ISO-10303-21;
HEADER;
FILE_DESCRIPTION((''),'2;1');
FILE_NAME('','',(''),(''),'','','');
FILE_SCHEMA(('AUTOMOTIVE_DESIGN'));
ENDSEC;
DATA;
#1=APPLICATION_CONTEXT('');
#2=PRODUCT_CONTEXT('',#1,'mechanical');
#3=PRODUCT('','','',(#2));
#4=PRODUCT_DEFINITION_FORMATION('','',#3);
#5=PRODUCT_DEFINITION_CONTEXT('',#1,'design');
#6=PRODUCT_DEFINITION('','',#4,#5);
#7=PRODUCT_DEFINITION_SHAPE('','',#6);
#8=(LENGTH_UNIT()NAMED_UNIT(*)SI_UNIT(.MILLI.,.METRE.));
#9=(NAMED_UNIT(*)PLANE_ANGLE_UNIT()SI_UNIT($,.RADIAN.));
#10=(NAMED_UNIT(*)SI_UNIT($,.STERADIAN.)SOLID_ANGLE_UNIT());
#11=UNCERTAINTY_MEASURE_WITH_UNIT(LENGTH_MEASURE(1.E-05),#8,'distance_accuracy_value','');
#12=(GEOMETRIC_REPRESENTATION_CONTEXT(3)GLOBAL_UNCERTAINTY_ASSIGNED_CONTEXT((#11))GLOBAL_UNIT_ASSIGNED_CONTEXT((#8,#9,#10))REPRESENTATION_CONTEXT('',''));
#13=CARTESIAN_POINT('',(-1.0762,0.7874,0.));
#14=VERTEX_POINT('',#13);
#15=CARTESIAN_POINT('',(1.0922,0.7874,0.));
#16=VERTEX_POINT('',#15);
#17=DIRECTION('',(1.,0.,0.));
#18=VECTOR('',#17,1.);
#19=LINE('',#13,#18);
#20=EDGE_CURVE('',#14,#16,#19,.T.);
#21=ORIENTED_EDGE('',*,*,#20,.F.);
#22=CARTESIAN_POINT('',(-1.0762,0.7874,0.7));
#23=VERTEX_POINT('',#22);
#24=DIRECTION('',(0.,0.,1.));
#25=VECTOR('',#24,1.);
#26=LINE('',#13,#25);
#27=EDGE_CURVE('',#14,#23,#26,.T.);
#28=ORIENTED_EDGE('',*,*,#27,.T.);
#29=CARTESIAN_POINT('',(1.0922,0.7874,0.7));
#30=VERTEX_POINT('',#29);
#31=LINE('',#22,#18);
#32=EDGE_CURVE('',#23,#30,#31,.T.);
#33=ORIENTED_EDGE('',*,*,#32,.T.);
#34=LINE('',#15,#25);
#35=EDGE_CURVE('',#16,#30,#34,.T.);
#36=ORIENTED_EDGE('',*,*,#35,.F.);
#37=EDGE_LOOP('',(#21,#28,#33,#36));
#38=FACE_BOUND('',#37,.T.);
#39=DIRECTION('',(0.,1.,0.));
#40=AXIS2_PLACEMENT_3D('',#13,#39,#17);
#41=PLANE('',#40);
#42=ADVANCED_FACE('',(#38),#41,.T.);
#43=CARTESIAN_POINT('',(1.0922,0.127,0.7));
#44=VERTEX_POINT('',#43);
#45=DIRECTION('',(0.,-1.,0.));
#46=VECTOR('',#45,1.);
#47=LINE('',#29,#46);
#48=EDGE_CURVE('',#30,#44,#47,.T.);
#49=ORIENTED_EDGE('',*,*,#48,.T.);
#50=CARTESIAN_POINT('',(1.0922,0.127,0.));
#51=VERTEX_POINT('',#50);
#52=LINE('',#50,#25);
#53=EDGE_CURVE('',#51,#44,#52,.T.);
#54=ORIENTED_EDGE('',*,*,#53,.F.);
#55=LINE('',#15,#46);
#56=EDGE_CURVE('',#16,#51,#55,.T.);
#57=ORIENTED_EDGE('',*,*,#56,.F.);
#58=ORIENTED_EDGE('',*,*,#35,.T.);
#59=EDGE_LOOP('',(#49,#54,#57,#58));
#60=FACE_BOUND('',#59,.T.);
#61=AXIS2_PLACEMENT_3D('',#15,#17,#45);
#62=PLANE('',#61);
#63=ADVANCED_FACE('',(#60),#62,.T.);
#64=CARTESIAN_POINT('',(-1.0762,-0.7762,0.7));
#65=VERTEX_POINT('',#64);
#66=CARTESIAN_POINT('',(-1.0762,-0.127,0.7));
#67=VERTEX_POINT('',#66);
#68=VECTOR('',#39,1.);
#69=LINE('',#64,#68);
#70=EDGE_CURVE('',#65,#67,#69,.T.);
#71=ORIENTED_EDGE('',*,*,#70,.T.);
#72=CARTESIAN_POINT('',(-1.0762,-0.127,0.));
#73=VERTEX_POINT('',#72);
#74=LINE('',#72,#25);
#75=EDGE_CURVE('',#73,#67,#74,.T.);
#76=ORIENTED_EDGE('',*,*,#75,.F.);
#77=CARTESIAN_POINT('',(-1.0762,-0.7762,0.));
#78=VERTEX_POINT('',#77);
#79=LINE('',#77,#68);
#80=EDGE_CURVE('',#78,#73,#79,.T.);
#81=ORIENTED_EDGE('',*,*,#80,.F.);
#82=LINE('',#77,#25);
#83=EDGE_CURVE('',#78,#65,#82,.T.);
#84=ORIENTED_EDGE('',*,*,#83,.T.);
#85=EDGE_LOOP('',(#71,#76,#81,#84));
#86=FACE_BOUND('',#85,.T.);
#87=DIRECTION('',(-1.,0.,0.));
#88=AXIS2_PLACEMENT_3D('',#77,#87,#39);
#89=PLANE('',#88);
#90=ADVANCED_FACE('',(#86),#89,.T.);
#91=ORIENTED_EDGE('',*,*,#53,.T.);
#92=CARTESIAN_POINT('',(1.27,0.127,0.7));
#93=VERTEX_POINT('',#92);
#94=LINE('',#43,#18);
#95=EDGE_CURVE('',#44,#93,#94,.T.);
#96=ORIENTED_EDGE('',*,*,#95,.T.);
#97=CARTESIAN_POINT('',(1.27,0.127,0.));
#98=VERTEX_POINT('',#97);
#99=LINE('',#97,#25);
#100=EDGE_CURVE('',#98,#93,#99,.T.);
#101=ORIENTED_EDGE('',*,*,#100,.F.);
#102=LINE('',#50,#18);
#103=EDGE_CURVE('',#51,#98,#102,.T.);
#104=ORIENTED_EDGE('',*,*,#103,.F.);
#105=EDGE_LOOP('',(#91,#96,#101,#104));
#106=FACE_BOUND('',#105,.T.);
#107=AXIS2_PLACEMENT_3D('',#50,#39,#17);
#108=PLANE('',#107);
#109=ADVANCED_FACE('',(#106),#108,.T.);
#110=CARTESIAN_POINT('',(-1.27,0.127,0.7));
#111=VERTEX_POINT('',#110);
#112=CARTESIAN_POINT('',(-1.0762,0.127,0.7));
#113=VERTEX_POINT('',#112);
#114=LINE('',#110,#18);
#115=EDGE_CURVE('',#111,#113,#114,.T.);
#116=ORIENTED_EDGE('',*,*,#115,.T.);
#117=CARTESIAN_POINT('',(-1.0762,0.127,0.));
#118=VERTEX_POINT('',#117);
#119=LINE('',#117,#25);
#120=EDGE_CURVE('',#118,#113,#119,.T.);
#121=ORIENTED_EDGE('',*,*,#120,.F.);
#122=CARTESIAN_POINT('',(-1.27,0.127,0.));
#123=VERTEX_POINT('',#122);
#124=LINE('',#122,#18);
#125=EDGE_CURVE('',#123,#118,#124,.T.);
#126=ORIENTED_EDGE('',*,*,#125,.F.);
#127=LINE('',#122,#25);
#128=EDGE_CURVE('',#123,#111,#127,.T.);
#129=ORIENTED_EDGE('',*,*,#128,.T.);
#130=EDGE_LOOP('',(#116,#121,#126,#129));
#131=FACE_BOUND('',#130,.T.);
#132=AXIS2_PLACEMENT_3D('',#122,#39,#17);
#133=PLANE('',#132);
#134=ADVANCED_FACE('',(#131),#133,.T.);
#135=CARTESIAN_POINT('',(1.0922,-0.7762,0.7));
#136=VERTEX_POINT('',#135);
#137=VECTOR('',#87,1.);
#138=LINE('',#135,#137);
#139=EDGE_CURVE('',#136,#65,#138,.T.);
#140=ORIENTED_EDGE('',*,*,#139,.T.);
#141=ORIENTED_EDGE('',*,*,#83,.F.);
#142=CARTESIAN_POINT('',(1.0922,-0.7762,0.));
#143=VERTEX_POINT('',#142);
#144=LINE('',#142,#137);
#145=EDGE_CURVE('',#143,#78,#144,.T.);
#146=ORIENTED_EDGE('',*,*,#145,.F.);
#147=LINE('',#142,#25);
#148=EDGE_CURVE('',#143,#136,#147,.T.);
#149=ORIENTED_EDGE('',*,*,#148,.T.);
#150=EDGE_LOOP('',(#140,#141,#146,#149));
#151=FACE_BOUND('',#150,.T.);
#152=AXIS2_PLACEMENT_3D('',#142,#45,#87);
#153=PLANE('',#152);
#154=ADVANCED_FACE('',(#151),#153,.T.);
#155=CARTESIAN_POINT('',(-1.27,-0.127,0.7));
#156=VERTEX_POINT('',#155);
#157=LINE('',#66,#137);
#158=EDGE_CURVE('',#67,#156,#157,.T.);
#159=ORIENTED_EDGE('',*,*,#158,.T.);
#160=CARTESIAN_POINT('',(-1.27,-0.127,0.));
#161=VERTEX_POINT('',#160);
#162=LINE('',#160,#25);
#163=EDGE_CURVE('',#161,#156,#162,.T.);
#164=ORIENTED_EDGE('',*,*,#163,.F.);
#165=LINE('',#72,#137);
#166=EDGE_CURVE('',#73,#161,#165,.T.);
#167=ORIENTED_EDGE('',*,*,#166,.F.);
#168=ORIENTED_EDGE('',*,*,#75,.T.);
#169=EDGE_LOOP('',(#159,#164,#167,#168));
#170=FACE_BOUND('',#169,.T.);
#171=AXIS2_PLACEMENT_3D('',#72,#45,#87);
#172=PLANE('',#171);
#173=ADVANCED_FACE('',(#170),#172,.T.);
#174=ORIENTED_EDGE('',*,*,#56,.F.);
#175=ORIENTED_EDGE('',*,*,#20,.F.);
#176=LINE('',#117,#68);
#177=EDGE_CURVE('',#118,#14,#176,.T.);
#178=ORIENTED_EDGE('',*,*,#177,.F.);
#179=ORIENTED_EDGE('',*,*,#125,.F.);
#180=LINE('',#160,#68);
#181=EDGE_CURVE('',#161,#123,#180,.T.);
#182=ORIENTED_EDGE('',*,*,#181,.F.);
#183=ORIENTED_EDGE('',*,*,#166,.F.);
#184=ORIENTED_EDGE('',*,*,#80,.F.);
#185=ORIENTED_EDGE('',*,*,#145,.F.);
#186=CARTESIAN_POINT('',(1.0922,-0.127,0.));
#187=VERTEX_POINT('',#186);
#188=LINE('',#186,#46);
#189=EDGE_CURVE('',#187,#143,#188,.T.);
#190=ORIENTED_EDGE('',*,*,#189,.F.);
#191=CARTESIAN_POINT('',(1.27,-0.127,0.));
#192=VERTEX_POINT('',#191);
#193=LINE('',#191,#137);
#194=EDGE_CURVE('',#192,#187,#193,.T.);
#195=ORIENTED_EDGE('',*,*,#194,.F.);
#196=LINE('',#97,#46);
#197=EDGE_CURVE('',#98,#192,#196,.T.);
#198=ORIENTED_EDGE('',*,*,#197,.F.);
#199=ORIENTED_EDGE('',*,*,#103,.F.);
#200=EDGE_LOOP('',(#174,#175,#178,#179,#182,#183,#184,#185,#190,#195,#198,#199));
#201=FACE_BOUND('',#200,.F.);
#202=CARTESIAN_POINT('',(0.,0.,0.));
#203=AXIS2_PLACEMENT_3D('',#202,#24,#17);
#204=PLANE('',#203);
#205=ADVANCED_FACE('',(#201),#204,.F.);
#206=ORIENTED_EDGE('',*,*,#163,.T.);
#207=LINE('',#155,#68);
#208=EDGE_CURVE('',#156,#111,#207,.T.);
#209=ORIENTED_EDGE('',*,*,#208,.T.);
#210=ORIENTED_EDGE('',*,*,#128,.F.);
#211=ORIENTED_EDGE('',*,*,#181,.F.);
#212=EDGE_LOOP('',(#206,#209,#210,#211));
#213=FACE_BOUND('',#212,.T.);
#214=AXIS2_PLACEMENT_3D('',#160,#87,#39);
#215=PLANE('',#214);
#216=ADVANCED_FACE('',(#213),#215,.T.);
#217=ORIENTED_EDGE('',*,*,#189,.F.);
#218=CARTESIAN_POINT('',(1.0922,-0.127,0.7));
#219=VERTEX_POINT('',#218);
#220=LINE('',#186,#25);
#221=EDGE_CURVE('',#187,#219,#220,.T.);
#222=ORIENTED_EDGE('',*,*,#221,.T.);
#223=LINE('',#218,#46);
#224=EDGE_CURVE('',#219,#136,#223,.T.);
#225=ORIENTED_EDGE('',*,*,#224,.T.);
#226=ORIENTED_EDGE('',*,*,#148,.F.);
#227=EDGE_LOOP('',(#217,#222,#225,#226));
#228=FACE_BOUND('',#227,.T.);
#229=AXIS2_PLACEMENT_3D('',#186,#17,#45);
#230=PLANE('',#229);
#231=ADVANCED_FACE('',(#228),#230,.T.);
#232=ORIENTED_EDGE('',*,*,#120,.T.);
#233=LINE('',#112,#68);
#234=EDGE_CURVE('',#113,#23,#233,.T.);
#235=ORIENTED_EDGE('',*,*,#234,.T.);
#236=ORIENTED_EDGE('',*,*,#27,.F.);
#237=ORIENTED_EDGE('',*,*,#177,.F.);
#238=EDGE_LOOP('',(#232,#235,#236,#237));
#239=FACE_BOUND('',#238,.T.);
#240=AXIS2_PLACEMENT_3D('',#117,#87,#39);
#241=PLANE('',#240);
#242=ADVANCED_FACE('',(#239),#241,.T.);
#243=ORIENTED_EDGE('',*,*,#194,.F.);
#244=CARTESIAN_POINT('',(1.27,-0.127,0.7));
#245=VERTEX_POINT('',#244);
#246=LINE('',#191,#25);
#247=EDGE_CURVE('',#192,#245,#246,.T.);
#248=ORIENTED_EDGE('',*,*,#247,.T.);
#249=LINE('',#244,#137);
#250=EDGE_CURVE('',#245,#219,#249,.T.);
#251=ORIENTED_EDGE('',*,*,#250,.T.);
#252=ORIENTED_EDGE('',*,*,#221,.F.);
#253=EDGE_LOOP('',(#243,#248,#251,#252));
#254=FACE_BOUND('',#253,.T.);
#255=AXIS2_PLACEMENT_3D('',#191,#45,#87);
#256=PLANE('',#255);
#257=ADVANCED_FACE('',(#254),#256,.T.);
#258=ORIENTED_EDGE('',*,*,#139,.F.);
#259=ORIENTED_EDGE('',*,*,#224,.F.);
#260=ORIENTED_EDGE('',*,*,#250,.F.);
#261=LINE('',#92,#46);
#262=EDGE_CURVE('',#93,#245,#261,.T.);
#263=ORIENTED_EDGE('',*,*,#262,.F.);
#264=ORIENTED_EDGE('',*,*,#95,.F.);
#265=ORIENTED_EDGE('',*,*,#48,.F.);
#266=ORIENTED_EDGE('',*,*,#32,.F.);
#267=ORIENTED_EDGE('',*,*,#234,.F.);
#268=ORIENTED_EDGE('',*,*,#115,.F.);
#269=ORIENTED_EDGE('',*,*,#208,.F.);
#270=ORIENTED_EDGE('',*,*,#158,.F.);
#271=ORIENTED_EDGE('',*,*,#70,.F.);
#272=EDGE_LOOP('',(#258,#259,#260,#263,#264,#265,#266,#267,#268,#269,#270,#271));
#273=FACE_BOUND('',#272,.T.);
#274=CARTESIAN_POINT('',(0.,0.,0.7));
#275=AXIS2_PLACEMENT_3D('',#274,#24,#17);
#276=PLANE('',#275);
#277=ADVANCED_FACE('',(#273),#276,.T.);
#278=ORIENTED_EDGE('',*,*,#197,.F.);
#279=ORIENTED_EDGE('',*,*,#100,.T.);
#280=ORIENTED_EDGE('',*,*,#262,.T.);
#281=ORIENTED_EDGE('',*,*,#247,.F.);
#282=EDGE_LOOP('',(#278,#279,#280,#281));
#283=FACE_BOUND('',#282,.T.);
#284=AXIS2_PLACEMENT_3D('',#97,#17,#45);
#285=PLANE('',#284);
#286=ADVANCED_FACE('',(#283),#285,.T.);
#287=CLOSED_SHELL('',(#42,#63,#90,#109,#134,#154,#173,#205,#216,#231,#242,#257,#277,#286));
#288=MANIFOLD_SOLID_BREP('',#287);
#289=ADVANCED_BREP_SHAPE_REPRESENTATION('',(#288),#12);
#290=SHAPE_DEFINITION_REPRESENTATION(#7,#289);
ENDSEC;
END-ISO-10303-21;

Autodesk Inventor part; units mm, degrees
ref_plane "YZ Plane" through (0, 0, 0) normal (1, 0, 0) x (0, 1, 0)
ref_plane "XZ Plane" through (0, 0, 0) normal (0, 1, 0) x (-1, 0, 0)
ref_plane "XY Plane" through (0, 0, 0) normal (0, 0, 1) x (1, 0, 0)
sketch "SOD323-R, RSB39VTE-17_311" plane through (0, 0, 0) normal (0, 0, 1) x (1, 0, 0)
  line L0 (-1.0762, 0.127) -> (-1.0762, 0.7874)
  line L1 (-1.0762, 0.7874) -> (1.0922, 0.7874)
  line L2 (1.0922, 0.7874) -> (1.0922, 0.127)
  line L3 (1.0922, 0.127) -> (1.27, 0.127)
  line L4 (1.27, 0.127) -> (1.27, -0.127)
  line L5 (1.27, -0.127) -> (1.0922, -0.127)
  line L6 (1.0922, -0.127) -> (1.0922, -0.7762)
  line L7 (1.0922, -0.7762) -> (-1.0762, -0.7762)
  line L8 (-1.0762, -0.7762) -> (-1.0762, -0.127)
  line L9 (-1.0762, -0.127) -> (-1.27, -0.127)
  line L10 (-1.27, -0.127) -> (-1.27, 0.127)
  line L11 (-1.27, 0.127) -> (-1.0762, 0.127)
extrude "Extrusion1" add sketch "SOD323-R, RSB39VTE-17_311" along normal blind 0.7
properties part number "RSB39VTE-17"
